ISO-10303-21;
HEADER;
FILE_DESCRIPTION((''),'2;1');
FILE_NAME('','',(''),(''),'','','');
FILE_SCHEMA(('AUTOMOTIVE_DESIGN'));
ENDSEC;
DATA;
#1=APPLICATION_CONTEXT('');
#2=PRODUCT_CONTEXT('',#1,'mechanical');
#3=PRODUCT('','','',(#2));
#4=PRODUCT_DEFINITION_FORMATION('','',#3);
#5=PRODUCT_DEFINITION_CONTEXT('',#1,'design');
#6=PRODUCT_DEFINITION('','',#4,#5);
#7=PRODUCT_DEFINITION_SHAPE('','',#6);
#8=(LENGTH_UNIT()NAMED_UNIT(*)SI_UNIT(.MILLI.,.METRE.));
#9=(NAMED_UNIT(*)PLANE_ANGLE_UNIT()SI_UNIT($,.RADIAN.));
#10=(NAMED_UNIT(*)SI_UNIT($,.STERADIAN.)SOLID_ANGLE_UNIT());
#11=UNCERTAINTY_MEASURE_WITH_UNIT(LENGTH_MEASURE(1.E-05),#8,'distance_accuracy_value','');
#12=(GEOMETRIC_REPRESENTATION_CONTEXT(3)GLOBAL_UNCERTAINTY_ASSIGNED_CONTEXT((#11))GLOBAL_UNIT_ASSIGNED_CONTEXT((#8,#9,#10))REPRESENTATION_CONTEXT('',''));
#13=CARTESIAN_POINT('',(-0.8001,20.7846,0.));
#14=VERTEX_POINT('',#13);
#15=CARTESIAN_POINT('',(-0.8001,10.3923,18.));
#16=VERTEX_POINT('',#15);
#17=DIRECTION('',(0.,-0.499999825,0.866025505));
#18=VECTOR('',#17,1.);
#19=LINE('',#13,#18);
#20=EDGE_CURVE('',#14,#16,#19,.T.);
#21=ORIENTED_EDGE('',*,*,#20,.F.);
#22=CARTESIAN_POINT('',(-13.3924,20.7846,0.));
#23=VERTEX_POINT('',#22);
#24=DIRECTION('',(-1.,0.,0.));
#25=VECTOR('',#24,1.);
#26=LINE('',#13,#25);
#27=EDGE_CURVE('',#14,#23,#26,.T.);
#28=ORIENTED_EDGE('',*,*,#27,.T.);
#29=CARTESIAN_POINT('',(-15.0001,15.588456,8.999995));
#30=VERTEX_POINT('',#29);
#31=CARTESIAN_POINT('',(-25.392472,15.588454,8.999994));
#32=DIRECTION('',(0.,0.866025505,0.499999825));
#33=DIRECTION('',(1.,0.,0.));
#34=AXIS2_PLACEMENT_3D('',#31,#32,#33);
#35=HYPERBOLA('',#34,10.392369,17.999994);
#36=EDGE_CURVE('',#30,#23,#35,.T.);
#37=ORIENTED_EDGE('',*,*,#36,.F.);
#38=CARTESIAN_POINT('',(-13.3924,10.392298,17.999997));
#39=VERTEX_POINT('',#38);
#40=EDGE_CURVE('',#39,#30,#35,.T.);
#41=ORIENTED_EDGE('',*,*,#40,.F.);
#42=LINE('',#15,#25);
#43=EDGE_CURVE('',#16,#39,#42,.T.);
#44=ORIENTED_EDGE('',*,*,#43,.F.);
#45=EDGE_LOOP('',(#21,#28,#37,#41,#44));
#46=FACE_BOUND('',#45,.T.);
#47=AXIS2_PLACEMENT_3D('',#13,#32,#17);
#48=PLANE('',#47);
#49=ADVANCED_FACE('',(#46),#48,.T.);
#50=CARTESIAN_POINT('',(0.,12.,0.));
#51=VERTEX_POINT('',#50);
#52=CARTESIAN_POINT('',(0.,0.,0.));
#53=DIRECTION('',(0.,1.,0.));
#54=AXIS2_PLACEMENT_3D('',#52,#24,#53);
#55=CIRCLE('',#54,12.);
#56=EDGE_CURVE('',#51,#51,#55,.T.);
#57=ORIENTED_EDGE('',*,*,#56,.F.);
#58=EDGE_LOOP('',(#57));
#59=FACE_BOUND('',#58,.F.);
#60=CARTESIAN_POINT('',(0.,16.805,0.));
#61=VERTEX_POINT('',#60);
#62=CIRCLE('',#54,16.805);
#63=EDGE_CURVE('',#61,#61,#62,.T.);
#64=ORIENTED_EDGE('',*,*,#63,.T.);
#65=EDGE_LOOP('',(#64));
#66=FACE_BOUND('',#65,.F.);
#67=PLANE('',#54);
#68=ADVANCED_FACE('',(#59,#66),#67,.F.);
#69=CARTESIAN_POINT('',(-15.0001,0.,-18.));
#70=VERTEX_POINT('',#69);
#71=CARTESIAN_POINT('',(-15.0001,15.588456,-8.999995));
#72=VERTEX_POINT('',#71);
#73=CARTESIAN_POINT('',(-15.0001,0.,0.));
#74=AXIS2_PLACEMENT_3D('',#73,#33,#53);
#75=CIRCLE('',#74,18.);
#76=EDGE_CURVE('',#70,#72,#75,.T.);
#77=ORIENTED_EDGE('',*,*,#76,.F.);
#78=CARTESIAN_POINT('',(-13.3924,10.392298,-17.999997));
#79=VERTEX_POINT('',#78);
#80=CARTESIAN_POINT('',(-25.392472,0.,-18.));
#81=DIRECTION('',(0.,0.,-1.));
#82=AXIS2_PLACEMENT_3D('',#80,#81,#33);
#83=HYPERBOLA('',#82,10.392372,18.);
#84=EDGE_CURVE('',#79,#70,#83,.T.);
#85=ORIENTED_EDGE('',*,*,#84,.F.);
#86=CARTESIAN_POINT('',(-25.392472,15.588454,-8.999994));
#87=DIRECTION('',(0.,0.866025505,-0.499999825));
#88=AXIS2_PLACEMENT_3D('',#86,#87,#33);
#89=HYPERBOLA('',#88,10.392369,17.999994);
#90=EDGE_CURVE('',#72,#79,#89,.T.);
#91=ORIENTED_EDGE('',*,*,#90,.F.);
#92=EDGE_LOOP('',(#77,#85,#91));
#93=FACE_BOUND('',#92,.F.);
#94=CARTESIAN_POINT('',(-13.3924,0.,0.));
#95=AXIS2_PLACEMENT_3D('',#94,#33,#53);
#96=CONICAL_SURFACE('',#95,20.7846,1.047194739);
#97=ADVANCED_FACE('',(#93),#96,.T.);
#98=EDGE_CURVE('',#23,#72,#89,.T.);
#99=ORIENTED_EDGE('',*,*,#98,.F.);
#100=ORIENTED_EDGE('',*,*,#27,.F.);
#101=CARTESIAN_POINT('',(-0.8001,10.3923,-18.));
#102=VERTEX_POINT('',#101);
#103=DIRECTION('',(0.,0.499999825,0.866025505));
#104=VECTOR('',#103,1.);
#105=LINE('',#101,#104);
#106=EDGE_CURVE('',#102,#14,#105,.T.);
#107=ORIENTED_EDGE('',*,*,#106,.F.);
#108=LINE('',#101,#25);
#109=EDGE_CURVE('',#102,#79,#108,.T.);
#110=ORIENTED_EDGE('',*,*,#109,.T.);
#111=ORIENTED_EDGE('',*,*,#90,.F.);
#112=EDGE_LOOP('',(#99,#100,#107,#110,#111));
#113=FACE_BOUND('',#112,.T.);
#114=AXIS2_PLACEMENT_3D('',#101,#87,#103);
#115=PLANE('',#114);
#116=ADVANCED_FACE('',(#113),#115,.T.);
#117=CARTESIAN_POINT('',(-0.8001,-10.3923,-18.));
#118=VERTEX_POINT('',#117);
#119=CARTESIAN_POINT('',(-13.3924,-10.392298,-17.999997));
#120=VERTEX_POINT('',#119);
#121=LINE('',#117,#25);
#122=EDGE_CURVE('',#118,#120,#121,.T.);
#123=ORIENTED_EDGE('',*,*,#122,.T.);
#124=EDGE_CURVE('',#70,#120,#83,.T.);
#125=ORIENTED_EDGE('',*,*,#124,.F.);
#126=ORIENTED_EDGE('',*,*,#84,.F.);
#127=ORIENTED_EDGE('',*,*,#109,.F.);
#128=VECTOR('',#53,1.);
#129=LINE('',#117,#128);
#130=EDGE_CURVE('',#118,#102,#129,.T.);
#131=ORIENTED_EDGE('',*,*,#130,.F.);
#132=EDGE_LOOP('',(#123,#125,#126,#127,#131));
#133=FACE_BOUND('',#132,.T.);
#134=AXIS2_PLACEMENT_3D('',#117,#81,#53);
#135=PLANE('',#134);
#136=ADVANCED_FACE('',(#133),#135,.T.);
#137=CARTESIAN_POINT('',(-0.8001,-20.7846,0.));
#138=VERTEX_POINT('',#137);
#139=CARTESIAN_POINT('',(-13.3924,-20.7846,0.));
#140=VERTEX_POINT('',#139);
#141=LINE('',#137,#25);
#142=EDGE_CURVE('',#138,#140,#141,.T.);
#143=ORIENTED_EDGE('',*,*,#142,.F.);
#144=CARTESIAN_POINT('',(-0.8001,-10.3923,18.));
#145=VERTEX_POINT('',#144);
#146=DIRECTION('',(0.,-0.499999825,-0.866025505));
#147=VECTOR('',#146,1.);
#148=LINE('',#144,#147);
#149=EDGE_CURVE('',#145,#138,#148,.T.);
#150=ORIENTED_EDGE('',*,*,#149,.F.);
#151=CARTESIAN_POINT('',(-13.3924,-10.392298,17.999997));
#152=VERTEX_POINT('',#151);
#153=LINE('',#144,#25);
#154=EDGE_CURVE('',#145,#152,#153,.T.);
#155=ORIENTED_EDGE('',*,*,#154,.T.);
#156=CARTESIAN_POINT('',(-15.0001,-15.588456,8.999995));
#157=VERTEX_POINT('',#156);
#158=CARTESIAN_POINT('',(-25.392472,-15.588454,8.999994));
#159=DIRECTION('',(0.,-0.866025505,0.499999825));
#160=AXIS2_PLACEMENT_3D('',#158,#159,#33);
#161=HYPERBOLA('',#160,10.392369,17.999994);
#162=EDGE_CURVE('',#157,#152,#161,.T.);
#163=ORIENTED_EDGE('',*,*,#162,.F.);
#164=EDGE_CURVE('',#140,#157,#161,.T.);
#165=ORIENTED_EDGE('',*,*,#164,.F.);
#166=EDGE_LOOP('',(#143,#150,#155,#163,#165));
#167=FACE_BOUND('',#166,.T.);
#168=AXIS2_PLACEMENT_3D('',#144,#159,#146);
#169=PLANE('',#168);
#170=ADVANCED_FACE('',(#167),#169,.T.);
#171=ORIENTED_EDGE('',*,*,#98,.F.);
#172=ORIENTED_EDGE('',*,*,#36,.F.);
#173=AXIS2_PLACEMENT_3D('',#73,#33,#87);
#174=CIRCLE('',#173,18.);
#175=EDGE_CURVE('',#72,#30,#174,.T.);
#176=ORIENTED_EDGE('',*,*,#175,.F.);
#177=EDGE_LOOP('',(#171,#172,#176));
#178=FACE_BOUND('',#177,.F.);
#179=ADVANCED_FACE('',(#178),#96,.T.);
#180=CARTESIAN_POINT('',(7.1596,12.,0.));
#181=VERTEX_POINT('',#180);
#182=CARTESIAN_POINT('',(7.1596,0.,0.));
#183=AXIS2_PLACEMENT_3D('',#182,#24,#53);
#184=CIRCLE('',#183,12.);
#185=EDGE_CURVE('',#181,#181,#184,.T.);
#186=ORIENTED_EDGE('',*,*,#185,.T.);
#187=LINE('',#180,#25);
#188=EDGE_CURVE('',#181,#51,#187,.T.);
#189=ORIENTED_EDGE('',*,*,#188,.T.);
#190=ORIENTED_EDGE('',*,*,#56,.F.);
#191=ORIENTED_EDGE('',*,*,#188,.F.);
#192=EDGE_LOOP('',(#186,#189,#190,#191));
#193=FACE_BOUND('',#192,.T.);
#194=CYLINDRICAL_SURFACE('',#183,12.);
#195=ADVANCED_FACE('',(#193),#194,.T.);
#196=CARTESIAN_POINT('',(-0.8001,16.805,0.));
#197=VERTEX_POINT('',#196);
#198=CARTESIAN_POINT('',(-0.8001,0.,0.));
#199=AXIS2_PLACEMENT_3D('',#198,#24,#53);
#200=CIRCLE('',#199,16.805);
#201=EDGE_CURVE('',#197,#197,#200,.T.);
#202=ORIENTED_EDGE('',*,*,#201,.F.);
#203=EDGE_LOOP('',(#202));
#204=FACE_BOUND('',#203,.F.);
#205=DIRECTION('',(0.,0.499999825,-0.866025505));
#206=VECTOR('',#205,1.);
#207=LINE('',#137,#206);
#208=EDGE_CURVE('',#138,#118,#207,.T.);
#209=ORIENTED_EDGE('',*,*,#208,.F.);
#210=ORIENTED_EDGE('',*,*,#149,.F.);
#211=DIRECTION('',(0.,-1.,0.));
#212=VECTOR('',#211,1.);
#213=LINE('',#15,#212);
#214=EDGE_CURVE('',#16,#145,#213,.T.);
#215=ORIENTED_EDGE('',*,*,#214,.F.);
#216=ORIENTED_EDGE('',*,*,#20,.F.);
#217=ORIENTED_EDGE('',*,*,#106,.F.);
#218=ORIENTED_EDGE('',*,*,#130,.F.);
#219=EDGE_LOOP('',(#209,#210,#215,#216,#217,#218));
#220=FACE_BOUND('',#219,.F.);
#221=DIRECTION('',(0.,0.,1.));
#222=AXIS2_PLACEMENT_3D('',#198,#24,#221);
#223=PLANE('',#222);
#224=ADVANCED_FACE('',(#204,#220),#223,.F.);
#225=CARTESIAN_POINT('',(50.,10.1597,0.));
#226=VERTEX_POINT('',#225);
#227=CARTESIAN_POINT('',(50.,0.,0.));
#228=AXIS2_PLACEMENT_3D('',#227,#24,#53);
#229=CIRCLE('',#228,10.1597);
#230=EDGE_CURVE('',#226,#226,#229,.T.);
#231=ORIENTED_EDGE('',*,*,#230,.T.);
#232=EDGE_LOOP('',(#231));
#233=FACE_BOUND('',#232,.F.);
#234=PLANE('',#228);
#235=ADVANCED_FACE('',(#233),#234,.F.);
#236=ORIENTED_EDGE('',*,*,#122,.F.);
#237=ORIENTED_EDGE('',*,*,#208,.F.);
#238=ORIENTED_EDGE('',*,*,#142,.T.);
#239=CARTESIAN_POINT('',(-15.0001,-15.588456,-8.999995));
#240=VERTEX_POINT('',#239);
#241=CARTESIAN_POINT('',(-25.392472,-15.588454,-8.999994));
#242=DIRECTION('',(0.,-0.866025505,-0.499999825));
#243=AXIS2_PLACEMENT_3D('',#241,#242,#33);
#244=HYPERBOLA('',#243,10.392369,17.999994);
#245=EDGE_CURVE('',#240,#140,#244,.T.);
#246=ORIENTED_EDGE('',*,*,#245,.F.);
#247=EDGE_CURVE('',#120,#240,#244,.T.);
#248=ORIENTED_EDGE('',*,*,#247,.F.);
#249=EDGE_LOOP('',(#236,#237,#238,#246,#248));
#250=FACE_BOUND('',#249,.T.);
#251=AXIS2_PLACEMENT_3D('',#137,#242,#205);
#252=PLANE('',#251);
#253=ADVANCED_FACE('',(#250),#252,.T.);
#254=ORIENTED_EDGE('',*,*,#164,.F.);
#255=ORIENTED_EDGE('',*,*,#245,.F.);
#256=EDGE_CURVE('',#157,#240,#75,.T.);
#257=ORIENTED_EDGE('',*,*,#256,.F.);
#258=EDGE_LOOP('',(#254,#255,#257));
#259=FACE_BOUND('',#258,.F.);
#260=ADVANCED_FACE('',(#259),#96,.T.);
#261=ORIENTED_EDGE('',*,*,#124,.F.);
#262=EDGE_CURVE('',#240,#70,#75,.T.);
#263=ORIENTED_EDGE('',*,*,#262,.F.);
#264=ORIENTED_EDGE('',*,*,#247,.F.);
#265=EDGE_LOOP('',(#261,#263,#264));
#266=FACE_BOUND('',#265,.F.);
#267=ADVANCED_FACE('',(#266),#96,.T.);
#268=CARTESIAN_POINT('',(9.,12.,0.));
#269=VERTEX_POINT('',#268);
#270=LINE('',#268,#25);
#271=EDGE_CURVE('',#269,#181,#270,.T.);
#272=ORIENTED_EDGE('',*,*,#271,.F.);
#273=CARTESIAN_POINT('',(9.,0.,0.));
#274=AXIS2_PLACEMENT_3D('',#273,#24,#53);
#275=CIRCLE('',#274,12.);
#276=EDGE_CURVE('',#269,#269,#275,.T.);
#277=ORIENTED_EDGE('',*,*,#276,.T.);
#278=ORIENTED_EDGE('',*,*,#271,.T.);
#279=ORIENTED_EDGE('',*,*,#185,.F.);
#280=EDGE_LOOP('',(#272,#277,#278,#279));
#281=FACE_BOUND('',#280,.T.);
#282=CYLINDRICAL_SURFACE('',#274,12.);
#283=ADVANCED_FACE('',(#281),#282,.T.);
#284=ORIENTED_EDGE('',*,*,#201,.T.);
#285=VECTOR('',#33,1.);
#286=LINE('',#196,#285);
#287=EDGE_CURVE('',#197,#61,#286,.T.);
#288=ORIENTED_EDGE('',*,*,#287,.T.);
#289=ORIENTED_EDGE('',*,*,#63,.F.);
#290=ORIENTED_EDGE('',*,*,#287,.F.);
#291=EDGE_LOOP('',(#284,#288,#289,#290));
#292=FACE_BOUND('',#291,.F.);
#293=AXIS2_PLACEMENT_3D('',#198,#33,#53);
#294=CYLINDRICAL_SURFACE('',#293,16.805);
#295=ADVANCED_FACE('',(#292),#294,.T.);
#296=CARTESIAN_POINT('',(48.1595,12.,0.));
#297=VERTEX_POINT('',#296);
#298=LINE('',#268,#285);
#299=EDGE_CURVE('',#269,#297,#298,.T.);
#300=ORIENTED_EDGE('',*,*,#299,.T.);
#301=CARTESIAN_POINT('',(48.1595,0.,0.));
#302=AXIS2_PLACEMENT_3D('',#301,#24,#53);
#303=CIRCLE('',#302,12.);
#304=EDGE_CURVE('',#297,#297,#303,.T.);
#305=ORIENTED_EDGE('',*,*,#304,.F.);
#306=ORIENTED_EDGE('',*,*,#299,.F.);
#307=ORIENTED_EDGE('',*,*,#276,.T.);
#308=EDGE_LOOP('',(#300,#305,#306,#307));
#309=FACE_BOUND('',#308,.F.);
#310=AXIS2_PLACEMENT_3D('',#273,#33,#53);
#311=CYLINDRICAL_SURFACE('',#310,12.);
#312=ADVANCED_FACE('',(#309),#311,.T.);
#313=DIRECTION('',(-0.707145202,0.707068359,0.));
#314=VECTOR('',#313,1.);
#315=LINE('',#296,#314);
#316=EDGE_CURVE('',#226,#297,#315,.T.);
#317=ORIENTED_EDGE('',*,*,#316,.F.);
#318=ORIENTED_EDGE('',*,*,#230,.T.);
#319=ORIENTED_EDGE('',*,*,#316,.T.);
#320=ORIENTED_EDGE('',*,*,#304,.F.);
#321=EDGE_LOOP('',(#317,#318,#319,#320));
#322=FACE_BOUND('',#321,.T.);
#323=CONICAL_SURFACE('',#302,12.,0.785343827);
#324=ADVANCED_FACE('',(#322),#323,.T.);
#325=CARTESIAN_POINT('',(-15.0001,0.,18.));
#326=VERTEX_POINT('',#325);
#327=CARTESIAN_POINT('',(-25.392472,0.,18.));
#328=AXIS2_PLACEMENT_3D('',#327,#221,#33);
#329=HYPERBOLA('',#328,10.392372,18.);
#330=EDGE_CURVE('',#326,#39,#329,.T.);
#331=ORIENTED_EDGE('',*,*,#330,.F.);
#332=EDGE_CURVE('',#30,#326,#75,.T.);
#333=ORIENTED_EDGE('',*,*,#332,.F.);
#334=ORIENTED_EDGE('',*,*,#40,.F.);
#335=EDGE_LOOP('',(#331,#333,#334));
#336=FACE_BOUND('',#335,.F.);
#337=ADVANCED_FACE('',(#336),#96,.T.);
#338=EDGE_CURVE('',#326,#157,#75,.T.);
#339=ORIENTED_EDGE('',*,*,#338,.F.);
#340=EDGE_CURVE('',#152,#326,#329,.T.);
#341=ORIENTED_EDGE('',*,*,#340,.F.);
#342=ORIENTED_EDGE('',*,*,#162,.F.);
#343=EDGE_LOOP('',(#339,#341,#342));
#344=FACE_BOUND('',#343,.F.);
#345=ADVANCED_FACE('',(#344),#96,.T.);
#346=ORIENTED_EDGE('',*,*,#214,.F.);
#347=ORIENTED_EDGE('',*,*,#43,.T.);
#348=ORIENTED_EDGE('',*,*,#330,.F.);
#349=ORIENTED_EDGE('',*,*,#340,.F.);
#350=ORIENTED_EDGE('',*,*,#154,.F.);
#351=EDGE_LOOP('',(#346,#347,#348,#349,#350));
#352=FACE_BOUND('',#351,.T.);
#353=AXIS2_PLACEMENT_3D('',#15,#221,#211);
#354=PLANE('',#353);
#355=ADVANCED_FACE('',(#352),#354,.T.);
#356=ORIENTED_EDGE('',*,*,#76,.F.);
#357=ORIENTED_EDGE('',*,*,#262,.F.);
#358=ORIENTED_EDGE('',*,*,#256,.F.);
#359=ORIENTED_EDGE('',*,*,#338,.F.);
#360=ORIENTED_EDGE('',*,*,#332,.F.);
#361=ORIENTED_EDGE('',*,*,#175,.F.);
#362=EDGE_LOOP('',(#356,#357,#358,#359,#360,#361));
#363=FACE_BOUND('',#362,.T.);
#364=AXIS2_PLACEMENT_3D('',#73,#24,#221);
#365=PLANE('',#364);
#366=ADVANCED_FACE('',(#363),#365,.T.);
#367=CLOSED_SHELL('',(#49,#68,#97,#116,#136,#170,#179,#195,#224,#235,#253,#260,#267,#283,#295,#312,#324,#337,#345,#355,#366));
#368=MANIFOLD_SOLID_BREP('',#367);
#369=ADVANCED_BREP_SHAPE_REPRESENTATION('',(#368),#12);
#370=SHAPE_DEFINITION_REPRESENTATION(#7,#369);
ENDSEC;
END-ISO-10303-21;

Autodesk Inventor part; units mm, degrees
ref_plane "YZ Plane" through (0, 0, 0) normal (1, 0, 0) x (0, 1, 0)
ref_plane "XZ Plane" through (0, 0, 0) normal (0, 1, 0) x (-1, 0, 0)
sketch "Sketch1" plane through (0, 0, 0) normal (0, 0, 1) x (1, 0, 0)
  line L0 (0, 16.805) -> (0, 12)
  line L1 (9, 12) -> (50, 12)
  line L2 (50, 12) -> (50, 0)
  line L3 (50, 0) -> (-0.8001, 0)
  line L4 (-10.9601, 0) -> (60.16, 0) projected
  line L5 (-0.8001, 0) -> (-0.8001, 16.805)
  line L6 (-0.8001, 16.805) -> (0, 16.805)
  line L7 (9, 12) -> (7.1596, 12)
  line L8 (7.1596, 12) -> (0, 12)
  line L9 (0, -3.361) -> (0, 20.166) projected
  dimension "d0" = 50
  dimension "d1" = 41
  dimension "d2" = 24
  dimension "d9" = 0.8001
  dimension "d10" = 33.61
  dimension "d13" = 1.8404
  dimension "d14" = 24
revolve "Body" add sketch "Sketch1" angle 360 about axis through (50, 0, 0) along (-1, 0, 0)
sketch "Sketch2" plane through (-0.8001, 0, 0) normal (-1, 0, 0) x (0, 0, 1)
  line L0 (0, 20.7846) -> (18, 10.3923)
  line L1 (18, 10.3923) -> (18, -10.3923)
  line L2 (18, -10.3923) -> (0, -20.7846)
  line L3 (0, -20.7846) -> (-18, -10.3923)
  line L4 (-18, -10.3923) -> (-18, 10.3923)
  line L5 (-18, 10.3923) -> (0, 20.7846)
  point P0 (0, 0)
  point P1 (0, 0)
  dimension "d11" = 36
extrude "Head" add sketch "Sketch2" along normal blind 14.2
sketch "Sketch4" plane through (0, 0, 0) normal (0, 0, 1) x (1, 0, 0)
  line L0 (-15.0001, 18) -> (-15.0001, 20.7846)
  line L1 (-15.0001, 20.7846) -> (-13.3924, 20.7846)
  line L2 (-13.3924, 20.7846) -> (-15.0001, 18)
  line L3 (-17.8401, 0) -> (2.0399, 0) projected
  line L4 (-0.8001, 20.7846) -> (-15.0001, 20.7846) projected
  line L5 (-15.0001, 10.3923) -> (-15.0001, 20.7846) projected
  dimension "d5" = 30
  dimension "d19" = 36
revolve "Chamfer1" cut sketch "Sketch4" angle 360 about axis through (-10, 0, 0) along (1, 0, 0)
thread "Thread" size "M24x3" class "6g" standard "ISO Metric profile" length 41
chamfer "Chamfer2" distance 1.8403 distance2 1.8405 1 edges at (50, -12, 0) measured on face at (50, -4.6056, 1.5967)
ref_plane "Work Plane1" through (1.525, 0, 0) normal (0, 0, 1) x (1, 0, 0)
equation "\"d11\" = SW"
equation "\"d3\" = KOH - SD"
equation "\"d15\" = GEL"
equation "\"d6\" = -0.5 * SPD + 0.5 * GD"
equation "\"d0\" = NLG"
equation "\"d1\" = GEL"
equation "\"d2\" = GD"
equation "\"d10\" = SD2"
equation "\"d14\" = BDM"
equation "\"d5\" = ANG1"
equation "\"d19\" = SW0"
equation "\"NLG\" = 50"
equation "\"GD\" = NND"
equation "\"BDM\" = NND"
equation "\"KOH\" = 15"
equation "\"GEL\" = 41"
equation "\"SW\" = 36"
equation "\"SW0\" = SW"
equation "\"SPD\" = NND - 1.2269 * PTC"
equation "\"SD2\" = 33.61"
equation "\"SD\" = 0.8"
equation "\"ANG1\" = 30deg"
equation "\"GAL\" = 0.61345 * PTC"
equation "\"GUL\" = 0.61345 * PTC"
equation "\"RR\" = 0.8"
equation "\"GD1\" = THREADDIA - 1.2269 * PTC"
equation "\"THREADDIA\" = 24"
equation "\"SDH\" = SD2"
equation "\"SDHG\" = 9"
equation "\"TOA\" = 30deg"
equation "\"PTC\" = 3"
equation "\"NND\" = 24"
equation "\"E0\" = 41.58"
properties part number "ISO 4017 - M24 x 50" material "Stainless Steel, 440C"
